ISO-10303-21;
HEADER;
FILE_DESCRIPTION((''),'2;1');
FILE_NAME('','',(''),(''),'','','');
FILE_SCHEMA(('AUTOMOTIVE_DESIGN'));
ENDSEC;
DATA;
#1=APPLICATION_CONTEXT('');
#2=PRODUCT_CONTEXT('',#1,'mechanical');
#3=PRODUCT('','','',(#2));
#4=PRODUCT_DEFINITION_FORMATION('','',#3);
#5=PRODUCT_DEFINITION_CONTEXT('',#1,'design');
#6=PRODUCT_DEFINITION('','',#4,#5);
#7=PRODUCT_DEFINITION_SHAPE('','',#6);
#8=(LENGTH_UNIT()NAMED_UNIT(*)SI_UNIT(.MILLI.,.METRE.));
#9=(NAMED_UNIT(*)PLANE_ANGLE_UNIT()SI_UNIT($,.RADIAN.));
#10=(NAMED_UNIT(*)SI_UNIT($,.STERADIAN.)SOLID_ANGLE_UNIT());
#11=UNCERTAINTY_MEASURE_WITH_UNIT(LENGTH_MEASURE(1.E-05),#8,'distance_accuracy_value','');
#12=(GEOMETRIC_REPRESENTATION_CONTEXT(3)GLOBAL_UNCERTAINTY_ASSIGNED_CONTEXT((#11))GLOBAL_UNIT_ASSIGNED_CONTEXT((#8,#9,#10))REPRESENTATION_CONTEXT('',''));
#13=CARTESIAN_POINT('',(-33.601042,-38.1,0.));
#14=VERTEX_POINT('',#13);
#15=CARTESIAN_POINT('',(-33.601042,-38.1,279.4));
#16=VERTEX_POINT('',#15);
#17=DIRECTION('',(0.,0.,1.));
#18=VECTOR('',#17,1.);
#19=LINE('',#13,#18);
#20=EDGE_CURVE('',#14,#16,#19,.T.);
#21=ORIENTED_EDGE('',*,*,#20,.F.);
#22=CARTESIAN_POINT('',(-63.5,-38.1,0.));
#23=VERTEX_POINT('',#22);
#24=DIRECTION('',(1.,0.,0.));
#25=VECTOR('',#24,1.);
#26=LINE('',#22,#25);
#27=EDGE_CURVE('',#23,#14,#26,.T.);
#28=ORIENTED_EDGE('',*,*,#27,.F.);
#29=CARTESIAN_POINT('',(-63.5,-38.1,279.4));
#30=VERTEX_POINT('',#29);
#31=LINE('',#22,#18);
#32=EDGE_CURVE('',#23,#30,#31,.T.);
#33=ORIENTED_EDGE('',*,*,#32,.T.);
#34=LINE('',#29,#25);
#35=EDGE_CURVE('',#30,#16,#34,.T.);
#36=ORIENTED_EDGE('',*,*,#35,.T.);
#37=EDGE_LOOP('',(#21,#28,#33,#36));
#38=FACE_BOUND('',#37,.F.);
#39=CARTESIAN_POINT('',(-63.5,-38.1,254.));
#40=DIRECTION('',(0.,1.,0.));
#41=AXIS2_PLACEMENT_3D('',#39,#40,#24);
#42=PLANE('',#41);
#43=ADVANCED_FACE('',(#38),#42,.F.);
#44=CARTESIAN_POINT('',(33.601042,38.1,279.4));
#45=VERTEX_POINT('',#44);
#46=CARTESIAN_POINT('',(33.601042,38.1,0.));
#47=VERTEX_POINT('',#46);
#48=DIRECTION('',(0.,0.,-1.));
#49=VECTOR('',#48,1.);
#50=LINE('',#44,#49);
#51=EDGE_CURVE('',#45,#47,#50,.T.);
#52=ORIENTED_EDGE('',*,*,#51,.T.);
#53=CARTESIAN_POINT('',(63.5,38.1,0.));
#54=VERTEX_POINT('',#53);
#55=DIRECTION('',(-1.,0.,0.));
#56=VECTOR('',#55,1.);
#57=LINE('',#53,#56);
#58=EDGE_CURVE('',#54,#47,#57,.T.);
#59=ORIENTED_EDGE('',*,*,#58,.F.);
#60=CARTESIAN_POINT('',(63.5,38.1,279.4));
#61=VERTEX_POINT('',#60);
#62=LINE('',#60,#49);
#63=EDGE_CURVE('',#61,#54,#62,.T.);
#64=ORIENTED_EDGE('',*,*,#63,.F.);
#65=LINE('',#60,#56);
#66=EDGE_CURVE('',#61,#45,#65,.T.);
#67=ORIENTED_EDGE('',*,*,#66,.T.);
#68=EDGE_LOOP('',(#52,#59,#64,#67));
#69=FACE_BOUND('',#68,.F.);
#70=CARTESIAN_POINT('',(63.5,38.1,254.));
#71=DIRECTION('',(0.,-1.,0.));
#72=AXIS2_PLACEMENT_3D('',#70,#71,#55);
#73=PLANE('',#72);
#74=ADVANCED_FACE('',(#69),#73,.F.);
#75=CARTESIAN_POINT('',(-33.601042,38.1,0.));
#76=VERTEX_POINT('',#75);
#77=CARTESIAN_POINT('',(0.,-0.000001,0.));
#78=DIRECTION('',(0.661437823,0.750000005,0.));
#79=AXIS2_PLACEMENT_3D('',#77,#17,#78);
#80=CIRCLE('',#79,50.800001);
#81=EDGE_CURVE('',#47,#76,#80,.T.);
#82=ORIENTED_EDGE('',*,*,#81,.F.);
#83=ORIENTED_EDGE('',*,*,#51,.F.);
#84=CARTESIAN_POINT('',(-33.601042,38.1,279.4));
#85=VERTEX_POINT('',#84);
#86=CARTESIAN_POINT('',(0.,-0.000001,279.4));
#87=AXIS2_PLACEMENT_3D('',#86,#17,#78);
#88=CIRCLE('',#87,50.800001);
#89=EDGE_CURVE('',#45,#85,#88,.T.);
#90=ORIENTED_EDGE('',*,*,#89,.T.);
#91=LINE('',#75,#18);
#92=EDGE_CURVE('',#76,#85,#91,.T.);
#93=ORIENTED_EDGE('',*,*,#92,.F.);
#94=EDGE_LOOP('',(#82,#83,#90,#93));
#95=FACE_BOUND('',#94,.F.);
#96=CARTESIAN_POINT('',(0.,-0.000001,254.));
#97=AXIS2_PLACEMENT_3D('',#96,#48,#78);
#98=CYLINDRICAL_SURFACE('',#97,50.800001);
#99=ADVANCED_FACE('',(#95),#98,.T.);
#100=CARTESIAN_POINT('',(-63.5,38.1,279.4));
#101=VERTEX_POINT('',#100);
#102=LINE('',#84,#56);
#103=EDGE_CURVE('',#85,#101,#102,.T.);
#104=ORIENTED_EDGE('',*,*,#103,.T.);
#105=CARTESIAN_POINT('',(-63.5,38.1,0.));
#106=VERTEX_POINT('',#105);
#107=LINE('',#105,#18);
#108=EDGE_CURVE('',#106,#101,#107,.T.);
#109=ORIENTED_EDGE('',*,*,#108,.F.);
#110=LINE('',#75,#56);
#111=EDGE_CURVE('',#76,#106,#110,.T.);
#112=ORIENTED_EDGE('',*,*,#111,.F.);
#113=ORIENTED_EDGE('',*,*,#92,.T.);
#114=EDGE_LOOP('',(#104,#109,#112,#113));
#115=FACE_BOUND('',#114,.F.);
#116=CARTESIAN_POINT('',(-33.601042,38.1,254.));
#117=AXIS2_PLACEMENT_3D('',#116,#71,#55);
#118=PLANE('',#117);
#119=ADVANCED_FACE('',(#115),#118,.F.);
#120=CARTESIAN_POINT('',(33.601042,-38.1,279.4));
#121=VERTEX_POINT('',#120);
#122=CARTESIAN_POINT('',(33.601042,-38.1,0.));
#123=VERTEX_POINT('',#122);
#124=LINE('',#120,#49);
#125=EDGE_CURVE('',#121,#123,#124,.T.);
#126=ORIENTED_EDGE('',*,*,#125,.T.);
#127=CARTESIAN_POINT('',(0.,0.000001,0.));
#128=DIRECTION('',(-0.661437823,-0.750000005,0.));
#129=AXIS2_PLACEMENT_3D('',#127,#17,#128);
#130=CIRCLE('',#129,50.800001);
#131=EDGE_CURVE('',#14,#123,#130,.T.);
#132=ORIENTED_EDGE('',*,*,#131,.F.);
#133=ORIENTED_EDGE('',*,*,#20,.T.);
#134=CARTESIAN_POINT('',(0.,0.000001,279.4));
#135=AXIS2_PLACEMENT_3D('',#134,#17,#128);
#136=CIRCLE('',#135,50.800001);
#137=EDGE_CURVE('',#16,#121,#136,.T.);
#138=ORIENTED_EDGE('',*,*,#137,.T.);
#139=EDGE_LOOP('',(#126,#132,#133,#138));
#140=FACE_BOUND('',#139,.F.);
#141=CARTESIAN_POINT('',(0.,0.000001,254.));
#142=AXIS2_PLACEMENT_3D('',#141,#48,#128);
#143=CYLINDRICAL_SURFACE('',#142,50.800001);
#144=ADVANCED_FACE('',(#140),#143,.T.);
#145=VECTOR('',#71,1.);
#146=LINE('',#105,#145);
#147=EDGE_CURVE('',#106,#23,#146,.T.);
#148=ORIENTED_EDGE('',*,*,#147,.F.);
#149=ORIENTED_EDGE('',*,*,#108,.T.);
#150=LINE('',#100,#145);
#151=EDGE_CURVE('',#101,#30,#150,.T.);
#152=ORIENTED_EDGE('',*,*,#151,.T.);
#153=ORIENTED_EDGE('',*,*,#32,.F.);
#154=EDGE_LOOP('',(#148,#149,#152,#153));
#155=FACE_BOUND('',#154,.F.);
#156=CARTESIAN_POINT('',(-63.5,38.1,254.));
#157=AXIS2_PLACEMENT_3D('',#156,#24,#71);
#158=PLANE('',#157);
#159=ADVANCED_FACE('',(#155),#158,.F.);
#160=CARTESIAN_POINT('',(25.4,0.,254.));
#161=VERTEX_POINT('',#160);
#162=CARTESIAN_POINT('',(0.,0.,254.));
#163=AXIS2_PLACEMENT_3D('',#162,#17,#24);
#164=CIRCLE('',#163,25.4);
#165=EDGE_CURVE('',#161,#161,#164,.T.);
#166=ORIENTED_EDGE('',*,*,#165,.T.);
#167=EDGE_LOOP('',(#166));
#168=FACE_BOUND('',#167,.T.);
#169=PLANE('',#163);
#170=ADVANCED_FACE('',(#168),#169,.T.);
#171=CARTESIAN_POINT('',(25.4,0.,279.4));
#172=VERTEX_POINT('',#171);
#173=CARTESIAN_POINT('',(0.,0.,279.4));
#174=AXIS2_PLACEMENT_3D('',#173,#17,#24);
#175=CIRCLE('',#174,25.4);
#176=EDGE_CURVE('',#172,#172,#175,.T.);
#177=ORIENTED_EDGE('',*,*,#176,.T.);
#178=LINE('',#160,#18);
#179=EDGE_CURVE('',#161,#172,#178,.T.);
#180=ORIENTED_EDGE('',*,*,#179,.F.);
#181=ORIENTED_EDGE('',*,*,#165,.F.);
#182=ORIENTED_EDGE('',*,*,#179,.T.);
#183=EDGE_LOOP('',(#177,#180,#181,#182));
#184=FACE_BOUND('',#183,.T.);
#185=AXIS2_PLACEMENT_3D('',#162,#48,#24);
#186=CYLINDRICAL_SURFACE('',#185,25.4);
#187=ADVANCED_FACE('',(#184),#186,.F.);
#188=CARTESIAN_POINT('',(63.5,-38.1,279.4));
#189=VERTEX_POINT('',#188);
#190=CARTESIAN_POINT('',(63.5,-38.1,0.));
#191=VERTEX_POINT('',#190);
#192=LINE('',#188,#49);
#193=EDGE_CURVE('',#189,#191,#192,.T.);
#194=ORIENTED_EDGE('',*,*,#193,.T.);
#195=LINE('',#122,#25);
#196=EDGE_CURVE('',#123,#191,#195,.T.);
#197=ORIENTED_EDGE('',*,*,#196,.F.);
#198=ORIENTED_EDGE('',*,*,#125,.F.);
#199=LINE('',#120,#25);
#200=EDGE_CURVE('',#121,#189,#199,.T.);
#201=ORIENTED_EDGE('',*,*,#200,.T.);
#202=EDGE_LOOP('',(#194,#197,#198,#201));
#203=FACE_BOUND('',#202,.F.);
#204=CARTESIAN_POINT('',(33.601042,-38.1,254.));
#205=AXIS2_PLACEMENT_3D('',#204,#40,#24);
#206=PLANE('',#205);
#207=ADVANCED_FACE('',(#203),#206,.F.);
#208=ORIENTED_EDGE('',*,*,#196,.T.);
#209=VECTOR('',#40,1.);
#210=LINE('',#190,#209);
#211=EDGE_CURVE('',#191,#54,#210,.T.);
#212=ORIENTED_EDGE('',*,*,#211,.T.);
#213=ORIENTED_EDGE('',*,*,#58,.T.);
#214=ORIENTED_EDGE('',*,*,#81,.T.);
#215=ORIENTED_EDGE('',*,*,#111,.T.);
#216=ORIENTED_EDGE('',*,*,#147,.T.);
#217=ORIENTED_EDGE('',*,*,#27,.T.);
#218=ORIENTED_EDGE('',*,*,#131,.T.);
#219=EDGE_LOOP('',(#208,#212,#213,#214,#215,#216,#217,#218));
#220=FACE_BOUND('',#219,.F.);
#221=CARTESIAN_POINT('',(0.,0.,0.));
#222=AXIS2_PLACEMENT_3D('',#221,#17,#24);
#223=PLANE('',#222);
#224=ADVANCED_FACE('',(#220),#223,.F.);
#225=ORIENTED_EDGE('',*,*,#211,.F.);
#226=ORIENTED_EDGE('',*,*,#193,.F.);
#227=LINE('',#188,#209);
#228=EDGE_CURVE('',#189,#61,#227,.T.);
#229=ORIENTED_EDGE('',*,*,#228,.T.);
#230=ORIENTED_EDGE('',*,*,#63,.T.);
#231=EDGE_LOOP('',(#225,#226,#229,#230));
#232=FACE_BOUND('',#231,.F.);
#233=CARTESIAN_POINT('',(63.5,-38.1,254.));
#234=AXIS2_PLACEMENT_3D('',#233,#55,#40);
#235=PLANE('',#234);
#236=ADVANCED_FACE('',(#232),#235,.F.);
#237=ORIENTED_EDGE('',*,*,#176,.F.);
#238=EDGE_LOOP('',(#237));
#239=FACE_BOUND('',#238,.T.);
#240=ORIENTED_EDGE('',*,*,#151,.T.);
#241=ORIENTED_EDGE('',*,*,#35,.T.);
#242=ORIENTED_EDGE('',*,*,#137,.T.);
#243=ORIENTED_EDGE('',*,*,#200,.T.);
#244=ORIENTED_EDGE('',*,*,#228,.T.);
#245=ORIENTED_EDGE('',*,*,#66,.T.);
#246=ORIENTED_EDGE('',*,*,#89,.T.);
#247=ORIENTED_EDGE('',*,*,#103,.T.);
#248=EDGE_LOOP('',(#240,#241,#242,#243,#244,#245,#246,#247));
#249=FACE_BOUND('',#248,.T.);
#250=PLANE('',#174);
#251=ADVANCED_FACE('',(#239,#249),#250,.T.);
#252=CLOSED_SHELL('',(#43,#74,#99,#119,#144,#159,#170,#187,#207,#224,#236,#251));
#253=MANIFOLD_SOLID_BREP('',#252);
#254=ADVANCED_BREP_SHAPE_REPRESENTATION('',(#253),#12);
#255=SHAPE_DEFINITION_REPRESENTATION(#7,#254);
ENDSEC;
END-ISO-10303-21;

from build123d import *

# Parameters (mm, degrees)
F1_DEPTH = 254
F2_R     = 25.4
F3_DEPTH = 25.4


with BuildPart() as f1:
    # F0 (on Top) → F1 (new body)
    with BuildSketch(Plane.XY):
        with BuildLine():
            Line((-63.5, -38.1), (-33.601042, -38.1))
            ThreePointArc((-33.601042, -38.1), (0, -50.8), (33.601042, -38.1))
            Line((33.601042, -38.1), (63.5, -38.1))
            Line((63.5, -38.1), (63.5, 38.1))
            Line((63.5, 38.1), (33.601042, 38.1))
            ThreePointArc((33.601042, 38.1), (0, 50.8), (-33.601042, 38.1))
            Line((-33.601042, 38.1), (-63.5, 38.1))
            Line((-63.5, 38.1), (-63.5, -38.1))
        make_face()
    extrude(amount=F1_DEPTH)

    # F2 (on face) → F3 (join)
    with BuildSketch(Plane.XY.offset(254)):
        with BuildLine():
            ThreePointArc((33.601042, 38.1), (0, 50.8), (-33.601042, 38.1))
            Line((-33.601042, 38.1), (-63.5, 38.1))
            Line((-63.5, 38.1), (-63.5, -38.1))
            Line((-63.5, -38.1), (-33.601042, -38.1))
            ThreePointArc((-33.601042, -38.1), (0, -50.8), (33.601042, -38.1))
            Line((33.601042, -38.1), (63.5, -38.1))
            Line((63.5, -38.1), (63.5, 38.1))
            Line((63.5, 38.1), (33.601042, 38.1))
        make_face()
        Circle(F2_R, mode=Mode.SUBTRACT)
    extrude(amount=F3_DEPTH)


solid = f1.part
